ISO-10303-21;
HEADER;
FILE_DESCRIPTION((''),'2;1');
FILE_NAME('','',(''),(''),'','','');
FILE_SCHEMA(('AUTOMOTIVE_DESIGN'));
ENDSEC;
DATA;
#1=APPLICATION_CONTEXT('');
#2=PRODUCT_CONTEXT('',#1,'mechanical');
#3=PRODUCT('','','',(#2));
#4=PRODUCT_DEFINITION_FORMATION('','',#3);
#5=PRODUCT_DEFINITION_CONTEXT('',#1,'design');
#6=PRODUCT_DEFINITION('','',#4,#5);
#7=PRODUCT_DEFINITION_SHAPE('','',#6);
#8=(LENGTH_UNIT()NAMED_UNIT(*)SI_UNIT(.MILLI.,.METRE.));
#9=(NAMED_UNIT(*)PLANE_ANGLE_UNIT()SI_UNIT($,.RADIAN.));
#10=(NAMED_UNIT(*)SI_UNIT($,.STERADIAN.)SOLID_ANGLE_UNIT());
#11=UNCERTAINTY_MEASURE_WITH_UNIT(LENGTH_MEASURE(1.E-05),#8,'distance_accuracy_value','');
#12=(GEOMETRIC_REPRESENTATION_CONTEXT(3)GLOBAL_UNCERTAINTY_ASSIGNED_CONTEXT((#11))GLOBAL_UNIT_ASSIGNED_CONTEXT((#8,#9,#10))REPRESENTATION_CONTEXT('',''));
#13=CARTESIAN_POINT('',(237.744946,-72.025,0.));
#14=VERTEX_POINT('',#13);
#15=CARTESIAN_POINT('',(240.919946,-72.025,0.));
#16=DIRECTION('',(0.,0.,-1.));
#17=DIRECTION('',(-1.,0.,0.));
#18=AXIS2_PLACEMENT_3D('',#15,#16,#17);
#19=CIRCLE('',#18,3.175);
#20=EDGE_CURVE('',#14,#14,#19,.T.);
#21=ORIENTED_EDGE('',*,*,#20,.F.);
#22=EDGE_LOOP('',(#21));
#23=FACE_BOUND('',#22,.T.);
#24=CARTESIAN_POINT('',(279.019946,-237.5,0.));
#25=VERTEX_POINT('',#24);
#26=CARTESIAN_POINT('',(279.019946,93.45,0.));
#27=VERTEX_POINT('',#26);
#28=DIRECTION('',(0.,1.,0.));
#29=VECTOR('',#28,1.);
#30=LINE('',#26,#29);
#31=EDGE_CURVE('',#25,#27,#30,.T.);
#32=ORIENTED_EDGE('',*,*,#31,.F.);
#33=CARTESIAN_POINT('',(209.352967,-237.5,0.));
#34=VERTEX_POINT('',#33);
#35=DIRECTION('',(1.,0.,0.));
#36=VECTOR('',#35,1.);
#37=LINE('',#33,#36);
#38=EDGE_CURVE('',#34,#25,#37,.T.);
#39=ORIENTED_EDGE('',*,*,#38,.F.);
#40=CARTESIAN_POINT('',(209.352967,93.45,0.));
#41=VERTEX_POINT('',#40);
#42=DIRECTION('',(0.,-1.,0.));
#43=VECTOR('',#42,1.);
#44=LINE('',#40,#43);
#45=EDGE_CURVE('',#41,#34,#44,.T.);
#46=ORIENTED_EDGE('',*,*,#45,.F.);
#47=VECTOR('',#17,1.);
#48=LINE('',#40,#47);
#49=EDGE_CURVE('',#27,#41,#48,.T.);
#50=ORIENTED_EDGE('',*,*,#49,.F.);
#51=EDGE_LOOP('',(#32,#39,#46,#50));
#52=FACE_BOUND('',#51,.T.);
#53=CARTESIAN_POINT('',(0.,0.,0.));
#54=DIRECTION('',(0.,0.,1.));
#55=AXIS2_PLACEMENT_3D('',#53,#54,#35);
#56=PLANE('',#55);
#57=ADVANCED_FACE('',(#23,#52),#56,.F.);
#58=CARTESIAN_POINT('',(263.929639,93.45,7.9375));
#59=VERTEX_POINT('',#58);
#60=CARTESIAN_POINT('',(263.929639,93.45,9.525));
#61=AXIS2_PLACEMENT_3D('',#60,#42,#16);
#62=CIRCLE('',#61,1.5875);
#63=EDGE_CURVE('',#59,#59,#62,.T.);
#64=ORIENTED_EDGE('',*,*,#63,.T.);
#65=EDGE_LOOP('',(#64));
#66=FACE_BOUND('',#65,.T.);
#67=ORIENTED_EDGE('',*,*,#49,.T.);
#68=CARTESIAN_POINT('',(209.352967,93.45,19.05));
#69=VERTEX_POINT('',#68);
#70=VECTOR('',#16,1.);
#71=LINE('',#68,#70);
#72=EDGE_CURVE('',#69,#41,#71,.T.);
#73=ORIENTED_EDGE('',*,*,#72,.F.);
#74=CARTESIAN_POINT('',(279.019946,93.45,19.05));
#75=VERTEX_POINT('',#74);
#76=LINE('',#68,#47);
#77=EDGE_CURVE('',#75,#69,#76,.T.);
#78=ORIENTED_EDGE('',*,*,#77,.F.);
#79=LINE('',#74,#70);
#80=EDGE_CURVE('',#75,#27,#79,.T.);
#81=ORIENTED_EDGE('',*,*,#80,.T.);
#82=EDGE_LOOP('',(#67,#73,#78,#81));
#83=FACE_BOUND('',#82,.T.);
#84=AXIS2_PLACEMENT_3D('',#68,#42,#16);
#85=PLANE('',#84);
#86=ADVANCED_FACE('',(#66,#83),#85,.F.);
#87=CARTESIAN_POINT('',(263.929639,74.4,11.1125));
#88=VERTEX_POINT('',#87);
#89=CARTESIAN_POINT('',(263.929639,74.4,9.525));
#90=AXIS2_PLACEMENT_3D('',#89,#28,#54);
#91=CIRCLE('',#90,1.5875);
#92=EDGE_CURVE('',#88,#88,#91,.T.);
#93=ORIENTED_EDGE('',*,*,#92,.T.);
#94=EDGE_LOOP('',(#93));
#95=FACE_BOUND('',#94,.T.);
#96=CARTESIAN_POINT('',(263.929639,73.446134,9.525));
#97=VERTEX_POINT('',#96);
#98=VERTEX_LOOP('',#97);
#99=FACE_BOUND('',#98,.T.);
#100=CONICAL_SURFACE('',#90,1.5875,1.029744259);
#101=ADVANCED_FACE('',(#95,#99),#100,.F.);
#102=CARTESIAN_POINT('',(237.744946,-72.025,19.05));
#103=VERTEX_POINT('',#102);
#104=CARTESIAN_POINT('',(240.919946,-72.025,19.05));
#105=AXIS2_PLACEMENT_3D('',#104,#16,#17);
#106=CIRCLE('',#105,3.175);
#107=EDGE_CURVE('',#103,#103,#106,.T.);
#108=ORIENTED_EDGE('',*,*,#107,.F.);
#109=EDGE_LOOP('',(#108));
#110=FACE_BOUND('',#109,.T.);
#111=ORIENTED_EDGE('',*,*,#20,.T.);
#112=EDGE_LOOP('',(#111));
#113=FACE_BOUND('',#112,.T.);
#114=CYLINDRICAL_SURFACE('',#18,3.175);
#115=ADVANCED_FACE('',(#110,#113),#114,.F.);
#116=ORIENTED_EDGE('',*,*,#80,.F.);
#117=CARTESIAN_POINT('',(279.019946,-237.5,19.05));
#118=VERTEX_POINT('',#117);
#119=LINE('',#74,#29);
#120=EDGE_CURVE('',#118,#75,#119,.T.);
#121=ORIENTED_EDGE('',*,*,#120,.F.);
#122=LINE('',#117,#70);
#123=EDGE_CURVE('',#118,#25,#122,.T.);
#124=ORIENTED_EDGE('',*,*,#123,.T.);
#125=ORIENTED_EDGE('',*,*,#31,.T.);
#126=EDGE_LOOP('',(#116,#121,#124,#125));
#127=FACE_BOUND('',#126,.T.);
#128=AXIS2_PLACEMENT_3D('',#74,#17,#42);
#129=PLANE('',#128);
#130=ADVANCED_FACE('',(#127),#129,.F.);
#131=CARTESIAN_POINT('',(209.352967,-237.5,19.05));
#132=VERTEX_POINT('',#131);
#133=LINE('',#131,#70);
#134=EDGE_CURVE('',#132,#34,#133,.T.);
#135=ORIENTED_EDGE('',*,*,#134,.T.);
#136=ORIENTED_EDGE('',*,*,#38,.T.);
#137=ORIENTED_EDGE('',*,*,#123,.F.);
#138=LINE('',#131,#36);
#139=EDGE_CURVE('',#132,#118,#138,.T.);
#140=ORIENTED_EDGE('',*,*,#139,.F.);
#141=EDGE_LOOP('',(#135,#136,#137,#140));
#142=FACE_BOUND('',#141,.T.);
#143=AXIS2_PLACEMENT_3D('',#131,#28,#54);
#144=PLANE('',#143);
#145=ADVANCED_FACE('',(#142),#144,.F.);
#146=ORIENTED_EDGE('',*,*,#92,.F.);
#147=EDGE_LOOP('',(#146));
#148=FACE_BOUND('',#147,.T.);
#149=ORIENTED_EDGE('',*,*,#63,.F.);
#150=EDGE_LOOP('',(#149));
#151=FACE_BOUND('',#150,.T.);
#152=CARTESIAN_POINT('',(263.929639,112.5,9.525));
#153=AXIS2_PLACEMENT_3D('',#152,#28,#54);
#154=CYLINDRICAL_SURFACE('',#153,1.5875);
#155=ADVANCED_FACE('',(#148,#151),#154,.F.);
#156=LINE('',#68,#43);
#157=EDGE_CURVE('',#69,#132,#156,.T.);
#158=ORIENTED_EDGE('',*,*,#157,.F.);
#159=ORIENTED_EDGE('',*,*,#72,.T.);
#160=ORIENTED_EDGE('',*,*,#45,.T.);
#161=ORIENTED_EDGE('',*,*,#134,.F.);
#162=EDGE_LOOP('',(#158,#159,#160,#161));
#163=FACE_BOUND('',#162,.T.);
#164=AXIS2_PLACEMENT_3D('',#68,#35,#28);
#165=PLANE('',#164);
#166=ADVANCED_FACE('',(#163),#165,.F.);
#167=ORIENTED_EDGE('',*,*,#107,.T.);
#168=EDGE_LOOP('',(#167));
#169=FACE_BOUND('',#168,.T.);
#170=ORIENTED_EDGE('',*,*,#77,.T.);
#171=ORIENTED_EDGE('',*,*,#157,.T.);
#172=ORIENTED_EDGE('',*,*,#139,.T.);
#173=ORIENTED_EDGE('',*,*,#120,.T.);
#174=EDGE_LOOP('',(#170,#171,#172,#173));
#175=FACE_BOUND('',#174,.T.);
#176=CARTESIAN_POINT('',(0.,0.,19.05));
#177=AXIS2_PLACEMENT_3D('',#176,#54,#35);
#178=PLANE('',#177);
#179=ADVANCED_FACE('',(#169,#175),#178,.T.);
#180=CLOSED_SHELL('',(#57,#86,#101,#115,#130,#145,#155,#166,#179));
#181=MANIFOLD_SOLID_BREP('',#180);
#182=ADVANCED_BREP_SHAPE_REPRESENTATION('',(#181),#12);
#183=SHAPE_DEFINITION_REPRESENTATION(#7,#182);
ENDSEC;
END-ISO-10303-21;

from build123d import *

# Parameters (mm, degrees)
SKETCH1_W                   = 69.666978681
SKETCH1_H                   = 330.949999988
BOSS_EXTRUDE1_DEPTH         = 19.05
F_1_4_0_25_DIAMETER_HOLE1_D = 6.35
HOLE5_D                     = 3.175
HOLE5_DEPTH                 = 38.1
HOLE5_CSINK_D               = 10.16
HOLE5_CSINK_ANGLE           = 82
HOLE5_TIP                   = 0.953866233


with BuildPart() as part:
    # Sketch1 → Boss-Extrude1 (new body)
    with BuildSketch(Plane.XY):
        with Locations((244.186456522, -72.024999997)):
            Rectangle(SKETCH1_W, SKETCH1_H)
    extrude(amount=BOSS_EXTRUDE1_DEPTH)

    # 1/4 (0.25) Diameter Hole1 (through all)
    with Locations(Plane(origin=(0, 0, 0), x_dir=(-1, 0, 0), z_dir=(0, 0, -1))):
        with Locations((-240.919945862, -72.024999997)):
            Hole(F_1_4_0_25_DIAMETER_HOLE1_D / 2)

    # Hole5
    with Locations(Plane(origin=(-181.039434513, 112.499999997, 580.972905015), x_dir=(0.9271838545667913, -6.190403823971236e-15, -0.3746065934159023), z_dir=(0, 1, 0))):
        with Locations((77.689167439, 113.488854888), (70.865650555, 37.945520226), (443.755923515, 80.423559293), (438.7765707, 25.297013484), (549.651376608, 172.604565212), (567.144534626, 165.5368706), (580.227669901, 197.918766721), (644.129452085, 356.081227714), (562.734511883, 204.986461333), (626.636294067, 363.148922326)):
            CounterSinkHole(HOLE5_D / 2, HOLE5_CSINK_D / 2, depth=HOLE5_DEPTH, counter_sink_angle=HOLE5_CSINK_ANGLE)
            with Locations((0, 0, -(HOLE5_DEPTH + HOLE5_TIP / 2))):  # 118° drill point
                Cone(0, HOLE5_D / 2, HOLE5_TIP, mode=Mode.SUBTRACT)


solid = part.part
